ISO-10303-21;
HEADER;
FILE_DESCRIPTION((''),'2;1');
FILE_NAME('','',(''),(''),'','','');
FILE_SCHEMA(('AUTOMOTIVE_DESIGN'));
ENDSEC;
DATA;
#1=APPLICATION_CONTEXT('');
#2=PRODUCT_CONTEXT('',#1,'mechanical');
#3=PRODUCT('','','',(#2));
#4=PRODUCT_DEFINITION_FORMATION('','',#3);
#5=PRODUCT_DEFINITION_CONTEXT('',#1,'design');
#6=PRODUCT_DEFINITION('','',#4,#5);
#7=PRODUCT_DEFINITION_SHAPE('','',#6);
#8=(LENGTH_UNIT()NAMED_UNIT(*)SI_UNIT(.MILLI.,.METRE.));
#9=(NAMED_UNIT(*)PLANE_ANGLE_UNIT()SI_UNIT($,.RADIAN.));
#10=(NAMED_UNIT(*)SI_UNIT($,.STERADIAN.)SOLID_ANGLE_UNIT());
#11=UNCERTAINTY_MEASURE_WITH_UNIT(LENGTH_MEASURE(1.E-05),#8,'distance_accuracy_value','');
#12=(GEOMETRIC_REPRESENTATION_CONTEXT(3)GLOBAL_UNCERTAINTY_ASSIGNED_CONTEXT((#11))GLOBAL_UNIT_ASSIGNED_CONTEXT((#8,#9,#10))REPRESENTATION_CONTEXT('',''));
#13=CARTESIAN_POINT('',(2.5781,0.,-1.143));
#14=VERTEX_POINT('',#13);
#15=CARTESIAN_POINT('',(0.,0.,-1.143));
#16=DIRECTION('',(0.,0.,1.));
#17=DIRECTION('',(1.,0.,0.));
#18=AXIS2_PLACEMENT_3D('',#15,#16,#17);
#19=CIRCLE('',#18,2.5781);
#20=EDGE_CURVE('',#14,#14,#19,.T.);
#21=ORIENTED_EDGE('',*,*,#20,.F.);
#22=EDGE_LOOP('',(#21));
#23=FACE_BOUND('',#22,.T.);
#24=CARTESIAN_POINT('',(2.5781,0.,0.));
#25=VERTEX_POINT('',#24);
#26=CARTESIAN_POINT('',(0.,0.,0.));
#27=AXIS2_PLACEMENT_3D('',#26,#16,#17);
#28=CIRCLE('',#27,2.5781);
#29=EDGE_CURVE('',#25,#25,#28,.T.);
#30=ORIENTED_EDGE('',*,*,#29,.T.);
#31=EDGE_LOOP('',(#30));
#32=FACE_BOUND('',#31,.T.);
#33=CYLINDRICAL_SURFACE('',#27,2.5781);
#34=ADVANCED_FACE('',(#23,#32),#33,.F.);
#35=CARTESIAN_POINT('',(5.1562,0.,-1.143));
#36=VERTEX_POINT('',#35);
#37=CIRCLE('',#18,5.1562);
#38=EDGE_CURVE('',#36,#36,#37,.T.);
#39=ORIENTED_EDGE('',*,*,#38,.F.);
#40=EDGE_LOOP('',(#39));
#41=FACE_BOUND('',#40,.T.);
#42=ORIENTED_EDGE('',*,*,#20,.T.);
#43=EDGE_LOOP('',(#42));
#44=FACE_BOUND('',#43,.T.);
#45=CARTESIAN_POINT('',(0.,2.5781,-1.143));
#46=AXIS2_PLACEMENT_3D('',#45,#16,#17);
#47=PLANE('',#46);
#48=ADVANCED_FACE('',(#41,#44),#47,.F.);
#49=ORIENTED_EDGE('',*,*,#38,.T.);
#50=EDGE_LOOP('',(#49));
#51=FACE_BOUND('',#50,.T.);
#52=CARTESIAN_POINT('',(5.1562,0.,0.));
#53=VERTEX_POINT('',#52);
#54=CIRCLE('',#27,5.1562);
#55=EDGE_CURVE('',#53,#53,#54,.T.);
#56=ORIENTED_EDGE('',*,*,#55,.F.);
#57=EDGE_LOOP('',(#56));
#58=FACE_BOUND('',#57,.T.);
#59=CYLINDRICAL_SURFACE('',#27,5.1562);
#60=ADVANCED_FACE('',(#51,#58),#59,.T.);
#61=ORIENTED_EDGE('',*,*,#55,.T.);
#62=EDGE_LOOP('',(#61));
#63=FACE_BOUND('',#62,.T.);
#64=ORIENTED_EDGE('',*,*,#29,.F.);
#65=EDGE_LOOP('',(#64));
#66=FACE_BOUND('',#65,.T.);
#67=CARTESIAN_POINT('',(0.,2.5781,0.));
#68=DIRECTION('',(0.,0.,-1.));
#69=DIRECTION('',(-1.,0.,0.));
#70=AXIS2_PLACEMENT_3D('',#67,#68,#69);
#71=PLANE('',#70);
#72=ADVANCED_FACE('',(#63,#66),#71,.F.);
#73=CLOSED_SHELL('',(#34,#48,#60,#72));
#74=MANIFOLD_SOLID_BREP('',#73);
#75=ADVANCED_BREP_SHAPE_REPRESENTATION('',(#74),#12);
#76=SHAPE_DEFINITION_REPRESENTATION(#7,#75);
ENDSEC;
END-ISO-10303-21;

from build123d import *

# Parameters (mm, degrees)
SKETCH1_W = 1.143
SKETCH1_H = 2.5781


with BuildPart() as part:
    # Sketch1 → Revolve1 (revolve)
    with BuildSketch(Plane(origin=(0, 0, 0), x_dir=(0, 0, -1), z_dir=(1, 0, 0)), mode=Mode.PRIVATE) as revolve1_sk:
        with Locations((0.5715, 3.86715)):
            Rectangle(SKETCH1_W, SKETCH1_H)
    revolve(revolve1_sk.sketch.rotate(Axis((0, 0, 0), (0, 0, -1)), 90), axis=Axis((0, 0, 0), (0, 0, -1)))


solid = part.part
